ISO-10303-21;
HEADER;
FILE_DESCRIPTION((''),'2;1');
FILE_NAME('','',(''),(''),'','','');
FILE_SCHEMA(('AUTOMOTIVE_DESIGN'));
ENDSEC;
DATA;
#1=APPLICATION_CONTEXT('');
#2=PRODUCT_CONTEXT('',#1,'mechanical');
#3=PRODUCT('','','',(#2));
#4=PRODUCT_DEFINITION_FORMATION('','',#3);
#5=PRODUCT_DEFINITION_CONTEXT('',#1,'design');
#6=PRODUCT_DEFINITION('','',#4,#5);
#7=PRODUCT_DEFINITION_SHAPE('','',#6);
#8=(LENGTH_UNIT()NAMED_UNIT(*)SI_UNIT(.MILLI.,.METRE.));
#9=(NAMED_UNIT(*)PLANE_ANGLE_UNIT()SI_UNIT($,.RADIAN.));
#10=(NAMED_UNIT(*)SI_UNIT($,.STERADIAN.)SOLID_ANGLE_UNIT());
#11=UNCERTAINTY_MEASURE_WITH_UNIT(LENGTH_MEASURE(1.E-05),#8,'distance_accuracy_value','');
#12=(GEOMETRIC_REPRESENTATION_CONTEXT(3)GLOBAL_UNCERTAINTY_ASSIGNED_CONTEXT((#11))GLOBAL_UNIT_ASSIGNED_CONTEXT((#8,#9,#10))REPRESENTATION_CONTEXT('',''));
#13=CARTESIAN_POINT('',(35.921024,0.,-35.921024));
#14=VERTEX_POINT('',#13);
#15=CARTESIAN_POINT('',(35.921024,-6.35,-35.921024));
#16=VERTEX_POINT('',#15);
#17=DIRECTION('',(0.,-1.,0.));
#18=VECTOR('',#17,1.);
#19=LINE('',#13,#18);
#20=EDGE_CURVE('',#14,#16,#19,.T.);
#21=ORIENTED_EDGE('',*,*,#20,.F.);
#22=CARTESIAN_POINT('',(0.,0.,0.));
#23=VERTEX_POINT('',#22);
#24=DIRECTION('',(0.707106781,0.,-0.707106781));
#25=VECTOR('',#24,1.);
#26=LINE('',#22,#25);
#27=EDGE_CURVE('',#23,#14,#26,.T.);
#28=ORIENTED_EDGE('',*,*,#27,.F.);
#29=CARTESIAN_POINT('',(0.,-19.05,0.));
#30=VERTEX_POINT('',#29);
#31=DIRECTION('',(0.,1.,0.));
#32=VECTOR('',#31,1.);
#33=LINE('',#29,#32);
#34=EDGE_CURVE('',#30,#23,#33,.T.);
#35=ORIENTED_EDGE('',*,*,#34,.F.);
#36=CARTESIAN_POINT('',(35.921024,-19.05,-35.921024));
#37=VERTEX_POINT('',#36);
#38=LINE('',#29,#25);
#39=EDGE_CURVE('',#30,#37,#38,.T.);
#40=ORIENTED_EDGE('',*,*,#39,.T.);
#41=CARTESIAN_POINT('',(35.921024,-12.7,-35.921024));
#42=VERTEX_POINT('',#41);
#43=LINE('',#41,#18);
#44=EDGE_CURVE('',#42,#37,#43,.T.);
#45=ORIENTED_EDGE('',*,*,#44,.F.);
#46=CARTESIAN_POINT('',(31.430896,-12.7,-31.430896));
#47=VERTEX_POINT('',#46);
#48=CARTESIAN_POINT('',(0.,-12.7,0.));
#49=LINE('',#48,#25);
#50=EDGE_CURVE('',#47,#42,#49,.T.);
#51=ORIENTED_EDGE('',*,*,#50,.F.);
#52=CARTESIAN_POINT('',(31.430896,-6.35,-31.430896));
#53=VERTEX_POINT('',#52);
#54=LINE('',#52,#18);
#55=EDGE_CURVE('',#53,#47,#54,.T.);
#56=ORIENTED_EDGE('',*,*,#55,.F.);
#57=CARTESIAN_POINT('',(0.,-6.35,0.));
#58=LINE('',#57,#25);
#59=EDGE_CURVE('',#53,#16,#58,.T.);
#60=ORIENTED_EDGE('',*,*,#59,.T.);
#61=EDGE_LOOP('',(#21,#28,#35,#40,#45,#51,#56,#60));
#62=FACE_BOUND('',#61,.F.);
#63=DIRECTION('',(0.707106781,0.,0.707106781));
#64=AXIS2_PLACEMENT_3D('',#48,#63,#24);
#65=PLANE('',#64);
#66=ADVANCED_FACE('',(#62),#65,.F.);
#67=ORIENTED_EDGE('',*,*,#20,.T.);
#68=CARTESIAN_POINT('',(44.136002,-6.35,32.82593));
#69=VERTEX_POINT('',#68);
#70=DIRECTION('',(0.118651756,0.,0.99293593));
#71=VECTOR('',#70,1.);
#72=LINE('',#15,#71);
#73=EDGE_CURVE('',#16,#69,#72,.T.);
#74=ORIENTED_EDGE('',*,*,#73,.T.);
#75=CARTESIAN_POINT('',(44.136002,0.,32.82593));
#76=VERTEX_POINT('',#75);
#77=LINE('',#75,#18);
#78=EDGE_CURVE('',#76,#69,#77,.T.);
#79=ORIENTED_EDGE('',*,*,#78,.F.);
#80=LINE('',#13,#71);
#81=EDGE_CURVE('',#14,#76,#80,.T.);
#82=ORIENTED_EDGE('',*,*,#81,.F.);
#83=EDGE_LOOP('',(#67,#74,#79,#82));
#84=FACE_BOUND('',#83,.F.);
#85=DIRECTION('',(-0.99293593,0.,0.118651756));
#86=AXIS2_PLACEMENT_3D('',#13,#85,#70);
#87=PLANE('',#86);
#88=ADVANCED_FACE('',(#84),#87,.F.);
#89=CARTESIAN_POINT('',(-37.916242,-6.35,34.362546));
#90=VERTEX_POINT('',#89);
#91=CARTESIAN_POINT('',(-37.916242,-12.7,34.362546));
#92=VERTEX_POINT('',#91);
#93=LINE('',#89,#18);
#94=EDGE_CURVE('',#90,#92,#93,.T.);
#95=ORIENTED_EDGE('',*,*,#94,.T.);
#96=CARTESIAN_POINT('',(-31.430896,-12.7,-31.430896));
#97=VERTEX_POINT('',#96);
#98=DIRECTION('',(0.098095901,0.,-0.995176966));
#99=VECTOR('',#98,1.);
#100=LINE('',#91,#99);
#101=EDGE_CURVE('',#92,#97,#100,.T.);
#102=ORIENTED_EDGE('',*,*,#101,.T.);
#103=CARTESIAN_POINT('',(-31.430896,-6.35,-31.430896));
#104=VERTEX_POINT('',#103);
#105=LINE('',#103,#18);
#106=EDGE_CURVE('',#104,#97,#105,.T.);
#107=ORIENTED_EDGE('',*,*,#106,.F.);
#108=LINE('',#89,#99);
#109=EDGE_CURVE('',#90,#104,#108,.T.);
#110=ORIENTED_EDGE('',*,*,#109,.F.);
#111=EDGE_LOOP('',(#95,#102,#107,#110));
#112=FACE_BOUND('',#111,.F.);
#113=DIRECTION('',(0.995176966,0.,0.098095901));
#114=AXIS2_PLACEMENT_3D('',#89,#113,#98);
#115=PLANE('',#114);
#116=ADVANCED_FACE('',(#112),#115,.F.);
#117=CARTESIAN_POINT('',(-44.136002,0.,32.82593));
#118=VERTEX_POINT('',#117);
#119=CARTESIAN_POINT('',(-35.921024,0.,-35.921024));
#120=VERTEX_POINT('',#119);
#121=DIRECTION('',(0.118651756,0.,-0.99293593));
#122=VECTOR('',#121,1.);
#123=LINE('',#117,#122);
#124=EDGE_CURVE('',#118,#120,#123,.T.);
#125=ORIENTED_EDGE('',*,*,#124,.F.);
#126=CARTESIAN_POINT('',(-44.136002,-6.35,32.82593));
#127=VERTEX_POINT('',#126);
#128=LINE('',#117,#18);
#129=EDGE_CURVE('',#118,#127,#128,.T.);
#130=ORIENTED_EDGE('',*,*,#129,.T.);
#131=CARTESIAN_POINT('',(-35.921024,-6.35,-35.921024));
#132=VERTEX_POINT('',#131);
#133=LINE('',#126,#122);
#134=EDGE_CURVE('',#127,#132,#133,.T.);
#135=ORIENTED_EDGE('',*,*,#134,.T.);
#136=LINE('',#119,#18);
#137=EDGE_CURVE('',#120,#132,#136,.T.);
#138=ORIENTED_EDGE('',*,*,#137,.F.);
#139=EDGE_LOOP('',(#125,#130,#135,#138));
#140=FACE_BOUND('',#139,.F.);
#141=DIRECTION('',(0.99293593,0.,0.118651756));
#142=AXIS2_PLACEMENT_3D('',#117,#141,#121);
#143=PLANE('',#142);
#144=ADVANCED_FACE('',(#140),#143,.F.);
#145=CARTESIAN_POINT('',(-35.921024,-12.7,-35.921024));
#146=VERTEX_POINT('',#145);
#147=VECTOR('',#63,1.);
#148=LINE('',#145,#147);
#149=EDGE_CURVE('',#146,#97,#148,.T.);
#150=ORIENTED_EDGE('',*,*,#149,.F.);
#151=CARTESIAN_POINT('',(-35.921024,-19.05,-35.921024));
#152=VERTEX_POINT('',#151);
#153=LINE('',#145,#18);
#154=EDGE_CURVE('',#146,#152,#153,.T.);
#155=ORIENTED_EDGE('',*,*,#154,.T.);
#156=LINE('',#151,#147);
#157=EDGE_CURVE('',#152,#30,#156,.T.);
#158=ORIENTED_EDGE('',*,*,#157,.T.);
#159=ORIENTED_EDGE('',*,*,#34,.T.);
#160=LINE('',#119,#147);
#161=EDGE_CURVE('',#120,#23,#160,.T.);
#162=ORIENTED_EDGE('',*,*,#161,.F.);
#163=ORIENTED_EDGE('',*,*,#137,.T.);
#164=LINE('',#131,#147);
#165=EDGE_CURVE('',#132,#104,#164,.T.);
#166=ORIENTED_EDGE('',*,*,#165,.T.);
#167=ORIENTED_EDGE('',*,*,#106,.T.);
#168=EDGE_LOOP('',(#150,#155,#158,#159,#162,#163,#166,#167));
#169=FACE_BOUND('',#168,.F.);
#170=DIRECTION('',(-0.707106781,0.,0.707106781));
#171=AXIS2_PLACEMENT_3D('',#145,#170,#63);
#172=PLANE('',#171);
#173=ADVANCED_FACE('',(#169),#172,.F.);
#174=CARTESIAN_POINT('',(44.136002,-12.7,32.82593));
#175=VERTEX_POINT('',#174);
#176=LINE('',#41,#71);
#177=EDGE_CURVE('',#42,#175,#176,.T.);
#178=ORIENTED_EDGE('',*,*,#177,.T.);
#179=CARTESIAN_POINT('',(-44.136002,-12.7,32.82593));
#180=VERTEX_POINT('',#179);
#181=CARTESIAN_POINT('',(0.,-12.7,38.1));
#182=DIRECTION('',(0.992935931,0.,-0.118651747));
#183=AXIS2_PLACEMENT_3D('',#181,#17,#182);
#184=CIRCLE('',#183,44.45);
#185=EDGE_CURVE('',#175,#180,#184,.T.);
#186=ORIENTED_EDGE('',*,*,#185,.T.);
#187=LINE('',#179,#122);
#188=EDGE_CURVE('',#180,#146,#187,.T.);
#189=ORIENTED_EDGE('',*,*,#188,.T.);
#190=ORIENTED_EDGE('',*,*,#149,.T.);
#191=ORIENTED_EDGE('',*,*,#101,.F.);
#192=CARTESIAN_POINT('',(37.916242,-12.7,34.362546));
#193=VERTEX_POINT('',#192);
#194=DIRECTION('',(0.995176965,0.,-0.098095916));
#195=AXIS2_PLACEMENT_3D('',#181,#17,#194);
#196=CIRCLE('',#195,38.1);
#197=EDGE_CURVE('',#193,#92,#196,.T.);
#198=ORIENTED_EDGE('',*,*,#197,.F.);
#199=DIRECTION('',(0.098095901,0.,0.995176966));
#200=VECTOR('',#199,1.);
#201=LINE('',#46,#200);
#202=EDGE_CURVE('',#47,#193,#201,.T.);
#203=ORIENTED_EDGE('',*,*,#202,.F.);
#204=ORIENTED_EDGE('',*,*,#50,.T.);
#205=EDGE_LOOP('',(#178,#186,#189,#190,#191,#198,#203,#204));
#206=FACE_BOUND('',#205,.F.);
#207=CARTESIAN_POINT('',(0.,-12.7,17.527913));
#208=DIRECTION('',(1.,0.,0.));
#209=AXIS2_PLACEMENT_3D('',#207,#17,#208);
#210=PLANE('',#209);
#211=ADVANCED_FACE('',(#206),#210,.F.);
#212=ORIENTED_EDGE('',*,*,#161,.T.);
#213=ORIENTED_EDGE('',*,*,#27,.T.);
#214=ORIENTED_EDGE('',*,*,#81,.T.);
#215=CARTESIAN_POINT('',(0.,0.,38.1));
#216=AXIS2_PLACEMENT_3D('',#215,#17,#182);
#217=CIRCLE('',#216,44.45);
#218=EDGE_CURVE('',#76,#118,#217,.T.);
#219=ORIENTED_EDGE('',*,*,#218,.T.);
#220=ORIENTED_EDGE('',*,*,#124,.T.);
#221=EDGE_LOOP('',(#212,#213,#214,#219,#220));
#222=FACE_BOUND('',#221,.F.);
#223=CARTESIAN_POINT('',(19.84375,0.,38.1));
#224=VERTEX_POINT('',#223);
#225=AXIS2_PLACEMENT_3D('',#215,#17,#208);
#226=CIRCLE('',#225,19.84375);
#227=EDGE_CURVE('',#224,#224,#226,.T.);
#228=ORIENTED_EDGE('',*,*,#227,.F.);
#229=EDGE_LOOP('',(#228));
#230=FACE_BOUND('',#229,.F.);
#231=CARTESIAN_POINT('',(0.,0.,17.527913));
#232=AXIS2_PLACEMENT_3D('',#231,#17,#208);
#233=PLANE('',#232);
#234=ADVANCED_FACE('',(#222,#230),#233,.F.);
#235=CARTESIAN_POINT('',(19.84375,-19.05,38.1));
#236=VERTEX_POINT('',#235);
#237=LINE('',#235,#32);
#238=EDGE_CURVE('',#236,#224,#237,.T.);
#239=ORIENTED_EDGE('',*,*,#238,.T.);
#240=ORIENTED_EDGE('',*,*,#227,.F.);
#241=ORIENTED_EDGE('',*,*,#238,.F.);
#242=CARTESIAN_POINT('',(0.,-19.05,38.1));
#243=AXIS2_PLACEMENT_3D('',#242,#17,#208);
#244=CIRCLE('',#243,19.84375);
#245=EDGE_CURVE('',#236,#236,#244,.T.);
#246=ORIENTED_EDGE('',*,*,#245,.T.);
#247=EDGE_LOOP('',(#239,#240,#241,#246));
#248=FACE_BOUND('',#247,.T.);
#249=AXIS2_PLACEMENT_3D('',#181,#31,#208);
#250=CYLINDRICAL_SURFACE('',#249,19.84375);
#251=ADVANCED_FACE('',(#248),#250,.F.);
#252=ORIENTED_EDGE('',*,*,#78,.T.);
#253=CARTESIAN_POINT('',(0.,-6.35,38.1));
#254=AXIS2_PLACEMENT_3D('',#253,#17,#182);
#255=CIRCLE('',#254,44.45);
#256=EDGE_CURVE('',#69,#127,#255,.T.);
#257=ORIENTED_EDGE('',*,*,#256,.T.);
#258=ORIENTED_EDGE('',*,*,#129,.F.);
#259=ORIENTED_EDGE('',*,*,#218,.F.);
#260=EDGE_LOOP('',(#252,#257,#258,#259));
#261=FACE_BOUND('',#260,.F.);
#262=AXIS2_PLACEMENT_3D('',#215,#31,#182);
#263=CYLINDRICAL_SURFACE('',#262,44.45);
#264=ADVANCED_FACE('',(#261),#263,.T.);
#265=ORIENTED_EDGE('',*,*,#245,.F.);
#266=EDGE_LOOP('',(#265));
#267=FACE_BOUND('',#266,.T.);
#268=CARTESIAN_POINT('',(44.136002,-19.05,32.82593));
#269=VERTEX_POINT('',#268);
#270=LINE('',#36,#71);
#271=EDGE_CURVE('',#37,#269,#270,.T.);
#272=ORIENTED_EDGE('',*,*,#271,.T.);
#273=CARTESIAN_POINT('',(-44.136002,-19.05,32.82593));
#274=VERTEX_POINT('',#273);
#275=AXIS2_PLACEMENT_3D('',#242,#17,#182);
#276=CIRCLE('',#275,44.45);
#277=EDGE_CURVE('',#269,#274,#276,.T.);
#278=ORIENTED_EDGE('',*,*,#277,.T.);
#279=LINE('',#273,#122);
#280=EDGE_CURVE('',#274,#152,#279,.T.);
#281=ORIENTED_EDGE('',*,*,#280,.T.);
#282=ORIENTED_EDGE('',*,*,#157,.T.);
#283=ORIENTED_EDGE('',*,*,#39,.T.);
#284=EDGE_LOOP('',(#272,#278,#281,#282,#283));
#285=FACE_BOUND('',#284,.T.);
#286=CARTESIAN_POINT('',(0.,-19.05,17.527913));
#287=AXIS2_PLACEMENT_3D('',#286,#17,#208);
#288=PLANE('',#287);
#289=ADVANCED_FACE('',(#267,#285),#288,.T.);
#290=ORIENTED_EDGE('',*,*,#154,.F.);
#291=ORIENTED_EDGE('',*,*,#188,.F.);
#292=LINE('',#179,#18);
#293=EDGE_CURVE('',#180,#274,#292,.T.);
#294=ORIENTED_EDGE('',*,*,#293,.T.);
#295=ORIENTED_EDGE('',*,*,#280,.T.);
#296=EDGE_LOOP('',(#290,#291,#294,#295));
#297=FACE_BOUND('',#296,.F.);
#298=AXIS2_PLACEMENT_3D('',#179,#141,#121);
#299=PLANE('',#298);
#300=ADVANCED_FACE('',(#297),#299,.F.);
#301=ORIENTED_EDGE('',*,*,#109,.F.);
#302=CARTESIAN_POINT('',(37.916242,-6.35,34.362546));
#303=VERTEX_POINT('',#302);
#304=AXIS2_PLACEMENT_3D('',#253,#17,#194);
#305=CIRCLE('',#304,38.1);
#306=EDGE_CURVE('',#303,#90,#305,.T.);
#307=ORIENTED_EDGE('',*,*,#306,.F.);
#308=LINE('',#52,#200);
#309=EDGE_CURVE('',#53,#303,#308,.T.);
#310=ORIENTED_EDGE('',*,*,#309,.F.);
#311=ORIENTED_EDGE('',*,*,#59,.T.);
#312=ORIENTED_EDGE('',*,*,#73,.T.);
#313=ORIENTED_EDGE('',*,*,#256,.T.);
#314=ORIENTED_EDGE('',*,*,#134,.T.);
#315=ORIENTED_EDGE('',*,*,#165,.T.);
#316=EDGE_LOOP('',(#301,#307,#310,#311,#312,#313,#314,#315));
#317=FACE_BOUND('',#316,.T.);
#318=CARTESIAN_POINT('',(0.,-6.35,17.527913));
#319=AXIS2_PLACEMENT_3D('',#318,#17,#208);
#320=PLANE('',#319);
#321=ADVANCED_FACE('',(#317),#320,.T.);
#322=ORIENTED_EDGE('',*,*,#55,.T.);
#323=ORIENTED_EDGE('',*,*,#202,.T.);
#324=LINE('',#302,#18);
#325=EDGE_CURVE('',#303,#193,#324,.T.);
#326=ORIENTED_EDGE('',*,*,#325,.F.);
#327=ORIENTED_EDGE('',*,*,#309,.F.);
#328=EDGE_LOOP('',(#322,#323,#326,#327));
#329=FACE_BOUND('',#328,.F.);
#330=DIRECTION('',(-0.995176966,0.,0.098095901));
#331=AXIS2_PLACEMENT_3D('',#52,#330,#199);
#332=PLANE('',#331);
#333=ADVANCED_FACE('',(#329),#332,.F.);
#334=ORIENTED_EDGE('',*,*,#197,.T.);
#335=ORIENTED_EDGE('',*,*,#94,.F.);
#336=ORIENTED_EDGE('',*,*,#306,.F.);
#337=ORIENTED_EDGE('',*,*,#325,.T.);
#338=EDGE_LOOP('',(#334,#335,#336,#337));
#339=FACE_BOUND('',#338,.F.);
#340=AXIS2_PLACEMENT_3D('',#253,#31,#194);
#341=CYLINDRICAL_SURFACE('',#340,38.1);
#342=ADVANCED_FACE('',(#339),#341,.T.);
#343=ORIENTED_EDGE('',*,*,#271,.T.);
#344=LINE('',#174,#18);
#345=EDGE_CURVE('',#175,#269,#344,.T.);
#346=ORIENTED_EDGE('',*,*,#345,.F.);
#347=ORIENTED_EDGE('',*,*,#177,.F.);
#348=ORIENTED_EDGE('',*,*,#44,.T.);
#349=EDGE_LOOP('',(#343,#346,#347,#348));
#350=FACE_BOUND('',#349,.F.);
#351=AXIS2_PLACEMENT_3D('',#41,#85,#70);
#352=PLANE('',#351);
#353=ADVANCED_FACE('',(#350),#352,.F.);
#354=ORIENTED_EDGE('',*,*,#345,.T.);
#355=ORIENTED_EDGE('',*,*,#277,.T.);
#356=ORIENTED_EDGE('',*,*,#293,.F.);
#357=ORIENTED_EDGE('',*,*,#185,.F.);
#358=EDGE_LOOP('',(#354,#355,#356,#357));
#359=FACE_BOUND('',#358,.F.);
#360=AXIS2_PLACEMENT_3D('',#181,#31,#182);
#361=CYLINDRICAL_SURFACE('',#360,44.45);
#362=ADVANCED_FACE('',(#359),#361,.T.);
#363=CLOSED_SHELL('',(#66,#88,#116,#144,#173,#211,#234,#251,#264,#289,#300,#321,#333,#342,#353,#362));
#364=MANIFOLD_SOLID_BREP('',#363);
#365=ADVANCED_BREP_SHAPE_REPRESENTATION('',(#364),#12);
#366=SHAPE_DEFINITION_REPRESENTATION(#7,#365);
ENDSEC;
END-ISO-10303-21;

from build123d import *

# Parameters (mm, degrees)
SKETCH_R            = 19.84375
PAD_DEPTH           = 6.35
SKETCH001_R         = 19.84375
PAD001_DEPTH        = 6.35
LINEARPATTERN_COUNT = 2
LINEARPATTERN_PITCH = 12.7


with BuildPart() as part:
    # Sketch → Pad (new body)
    with BuildSketch(Plane.XZ):
        with BuildLine():
            ThreePointArc((44.136002, 32.82593), (0, 82.55), (-44.136002, 32.82593))
            Line((-44.136002, 32.82593), (-35.921024, -35.921024))
            Line((-35.921024, -35.921024), (0, 0))
            Line((0, 0), (35.921024, -35.921024))
            Line((35.921024, -35.921024), (44.136002, 32.82593))
        make_face()
        with Locations((0, 38.1)):
            Circle(SKETCH_R, mode=Mode.SUBTRACT)
    pad = extrude(amount=PAD_DEPTH)

    # Sketch001 (on DatumPlane) → Pad001 (join)
    with BuildSketch(Plane.XZ.offset(6.35)):
        with BuildLine():
            ThreePointArc((37.916242, 34.362546), (0, 76.2), (-37.916242, 34.362546))
            Line((-37.916242, 34.362546), (-31.430896, -31.430896))
            Line((-31.430896, -31.430896), (0, 0))
            Line((0, 0), (31.430896, -31.430896))
            Line((31.430896, -31.430896), (37.916242, 34.362546))
        make_face()
        with Locations((0, 38.1)):
            Circle(SKETCH001_R, mode=Mode.SUBTRACT)
    extrude(amount=PAD001_DEPTH)

    # LinearPattern: Pad ×2
    with Locations(*[(0, -i * LINEARPATTERN_PITCH, 0) for i in range(1, LINEARPATTERN_COUNT)]):
        add(pad)


solid = part.part
